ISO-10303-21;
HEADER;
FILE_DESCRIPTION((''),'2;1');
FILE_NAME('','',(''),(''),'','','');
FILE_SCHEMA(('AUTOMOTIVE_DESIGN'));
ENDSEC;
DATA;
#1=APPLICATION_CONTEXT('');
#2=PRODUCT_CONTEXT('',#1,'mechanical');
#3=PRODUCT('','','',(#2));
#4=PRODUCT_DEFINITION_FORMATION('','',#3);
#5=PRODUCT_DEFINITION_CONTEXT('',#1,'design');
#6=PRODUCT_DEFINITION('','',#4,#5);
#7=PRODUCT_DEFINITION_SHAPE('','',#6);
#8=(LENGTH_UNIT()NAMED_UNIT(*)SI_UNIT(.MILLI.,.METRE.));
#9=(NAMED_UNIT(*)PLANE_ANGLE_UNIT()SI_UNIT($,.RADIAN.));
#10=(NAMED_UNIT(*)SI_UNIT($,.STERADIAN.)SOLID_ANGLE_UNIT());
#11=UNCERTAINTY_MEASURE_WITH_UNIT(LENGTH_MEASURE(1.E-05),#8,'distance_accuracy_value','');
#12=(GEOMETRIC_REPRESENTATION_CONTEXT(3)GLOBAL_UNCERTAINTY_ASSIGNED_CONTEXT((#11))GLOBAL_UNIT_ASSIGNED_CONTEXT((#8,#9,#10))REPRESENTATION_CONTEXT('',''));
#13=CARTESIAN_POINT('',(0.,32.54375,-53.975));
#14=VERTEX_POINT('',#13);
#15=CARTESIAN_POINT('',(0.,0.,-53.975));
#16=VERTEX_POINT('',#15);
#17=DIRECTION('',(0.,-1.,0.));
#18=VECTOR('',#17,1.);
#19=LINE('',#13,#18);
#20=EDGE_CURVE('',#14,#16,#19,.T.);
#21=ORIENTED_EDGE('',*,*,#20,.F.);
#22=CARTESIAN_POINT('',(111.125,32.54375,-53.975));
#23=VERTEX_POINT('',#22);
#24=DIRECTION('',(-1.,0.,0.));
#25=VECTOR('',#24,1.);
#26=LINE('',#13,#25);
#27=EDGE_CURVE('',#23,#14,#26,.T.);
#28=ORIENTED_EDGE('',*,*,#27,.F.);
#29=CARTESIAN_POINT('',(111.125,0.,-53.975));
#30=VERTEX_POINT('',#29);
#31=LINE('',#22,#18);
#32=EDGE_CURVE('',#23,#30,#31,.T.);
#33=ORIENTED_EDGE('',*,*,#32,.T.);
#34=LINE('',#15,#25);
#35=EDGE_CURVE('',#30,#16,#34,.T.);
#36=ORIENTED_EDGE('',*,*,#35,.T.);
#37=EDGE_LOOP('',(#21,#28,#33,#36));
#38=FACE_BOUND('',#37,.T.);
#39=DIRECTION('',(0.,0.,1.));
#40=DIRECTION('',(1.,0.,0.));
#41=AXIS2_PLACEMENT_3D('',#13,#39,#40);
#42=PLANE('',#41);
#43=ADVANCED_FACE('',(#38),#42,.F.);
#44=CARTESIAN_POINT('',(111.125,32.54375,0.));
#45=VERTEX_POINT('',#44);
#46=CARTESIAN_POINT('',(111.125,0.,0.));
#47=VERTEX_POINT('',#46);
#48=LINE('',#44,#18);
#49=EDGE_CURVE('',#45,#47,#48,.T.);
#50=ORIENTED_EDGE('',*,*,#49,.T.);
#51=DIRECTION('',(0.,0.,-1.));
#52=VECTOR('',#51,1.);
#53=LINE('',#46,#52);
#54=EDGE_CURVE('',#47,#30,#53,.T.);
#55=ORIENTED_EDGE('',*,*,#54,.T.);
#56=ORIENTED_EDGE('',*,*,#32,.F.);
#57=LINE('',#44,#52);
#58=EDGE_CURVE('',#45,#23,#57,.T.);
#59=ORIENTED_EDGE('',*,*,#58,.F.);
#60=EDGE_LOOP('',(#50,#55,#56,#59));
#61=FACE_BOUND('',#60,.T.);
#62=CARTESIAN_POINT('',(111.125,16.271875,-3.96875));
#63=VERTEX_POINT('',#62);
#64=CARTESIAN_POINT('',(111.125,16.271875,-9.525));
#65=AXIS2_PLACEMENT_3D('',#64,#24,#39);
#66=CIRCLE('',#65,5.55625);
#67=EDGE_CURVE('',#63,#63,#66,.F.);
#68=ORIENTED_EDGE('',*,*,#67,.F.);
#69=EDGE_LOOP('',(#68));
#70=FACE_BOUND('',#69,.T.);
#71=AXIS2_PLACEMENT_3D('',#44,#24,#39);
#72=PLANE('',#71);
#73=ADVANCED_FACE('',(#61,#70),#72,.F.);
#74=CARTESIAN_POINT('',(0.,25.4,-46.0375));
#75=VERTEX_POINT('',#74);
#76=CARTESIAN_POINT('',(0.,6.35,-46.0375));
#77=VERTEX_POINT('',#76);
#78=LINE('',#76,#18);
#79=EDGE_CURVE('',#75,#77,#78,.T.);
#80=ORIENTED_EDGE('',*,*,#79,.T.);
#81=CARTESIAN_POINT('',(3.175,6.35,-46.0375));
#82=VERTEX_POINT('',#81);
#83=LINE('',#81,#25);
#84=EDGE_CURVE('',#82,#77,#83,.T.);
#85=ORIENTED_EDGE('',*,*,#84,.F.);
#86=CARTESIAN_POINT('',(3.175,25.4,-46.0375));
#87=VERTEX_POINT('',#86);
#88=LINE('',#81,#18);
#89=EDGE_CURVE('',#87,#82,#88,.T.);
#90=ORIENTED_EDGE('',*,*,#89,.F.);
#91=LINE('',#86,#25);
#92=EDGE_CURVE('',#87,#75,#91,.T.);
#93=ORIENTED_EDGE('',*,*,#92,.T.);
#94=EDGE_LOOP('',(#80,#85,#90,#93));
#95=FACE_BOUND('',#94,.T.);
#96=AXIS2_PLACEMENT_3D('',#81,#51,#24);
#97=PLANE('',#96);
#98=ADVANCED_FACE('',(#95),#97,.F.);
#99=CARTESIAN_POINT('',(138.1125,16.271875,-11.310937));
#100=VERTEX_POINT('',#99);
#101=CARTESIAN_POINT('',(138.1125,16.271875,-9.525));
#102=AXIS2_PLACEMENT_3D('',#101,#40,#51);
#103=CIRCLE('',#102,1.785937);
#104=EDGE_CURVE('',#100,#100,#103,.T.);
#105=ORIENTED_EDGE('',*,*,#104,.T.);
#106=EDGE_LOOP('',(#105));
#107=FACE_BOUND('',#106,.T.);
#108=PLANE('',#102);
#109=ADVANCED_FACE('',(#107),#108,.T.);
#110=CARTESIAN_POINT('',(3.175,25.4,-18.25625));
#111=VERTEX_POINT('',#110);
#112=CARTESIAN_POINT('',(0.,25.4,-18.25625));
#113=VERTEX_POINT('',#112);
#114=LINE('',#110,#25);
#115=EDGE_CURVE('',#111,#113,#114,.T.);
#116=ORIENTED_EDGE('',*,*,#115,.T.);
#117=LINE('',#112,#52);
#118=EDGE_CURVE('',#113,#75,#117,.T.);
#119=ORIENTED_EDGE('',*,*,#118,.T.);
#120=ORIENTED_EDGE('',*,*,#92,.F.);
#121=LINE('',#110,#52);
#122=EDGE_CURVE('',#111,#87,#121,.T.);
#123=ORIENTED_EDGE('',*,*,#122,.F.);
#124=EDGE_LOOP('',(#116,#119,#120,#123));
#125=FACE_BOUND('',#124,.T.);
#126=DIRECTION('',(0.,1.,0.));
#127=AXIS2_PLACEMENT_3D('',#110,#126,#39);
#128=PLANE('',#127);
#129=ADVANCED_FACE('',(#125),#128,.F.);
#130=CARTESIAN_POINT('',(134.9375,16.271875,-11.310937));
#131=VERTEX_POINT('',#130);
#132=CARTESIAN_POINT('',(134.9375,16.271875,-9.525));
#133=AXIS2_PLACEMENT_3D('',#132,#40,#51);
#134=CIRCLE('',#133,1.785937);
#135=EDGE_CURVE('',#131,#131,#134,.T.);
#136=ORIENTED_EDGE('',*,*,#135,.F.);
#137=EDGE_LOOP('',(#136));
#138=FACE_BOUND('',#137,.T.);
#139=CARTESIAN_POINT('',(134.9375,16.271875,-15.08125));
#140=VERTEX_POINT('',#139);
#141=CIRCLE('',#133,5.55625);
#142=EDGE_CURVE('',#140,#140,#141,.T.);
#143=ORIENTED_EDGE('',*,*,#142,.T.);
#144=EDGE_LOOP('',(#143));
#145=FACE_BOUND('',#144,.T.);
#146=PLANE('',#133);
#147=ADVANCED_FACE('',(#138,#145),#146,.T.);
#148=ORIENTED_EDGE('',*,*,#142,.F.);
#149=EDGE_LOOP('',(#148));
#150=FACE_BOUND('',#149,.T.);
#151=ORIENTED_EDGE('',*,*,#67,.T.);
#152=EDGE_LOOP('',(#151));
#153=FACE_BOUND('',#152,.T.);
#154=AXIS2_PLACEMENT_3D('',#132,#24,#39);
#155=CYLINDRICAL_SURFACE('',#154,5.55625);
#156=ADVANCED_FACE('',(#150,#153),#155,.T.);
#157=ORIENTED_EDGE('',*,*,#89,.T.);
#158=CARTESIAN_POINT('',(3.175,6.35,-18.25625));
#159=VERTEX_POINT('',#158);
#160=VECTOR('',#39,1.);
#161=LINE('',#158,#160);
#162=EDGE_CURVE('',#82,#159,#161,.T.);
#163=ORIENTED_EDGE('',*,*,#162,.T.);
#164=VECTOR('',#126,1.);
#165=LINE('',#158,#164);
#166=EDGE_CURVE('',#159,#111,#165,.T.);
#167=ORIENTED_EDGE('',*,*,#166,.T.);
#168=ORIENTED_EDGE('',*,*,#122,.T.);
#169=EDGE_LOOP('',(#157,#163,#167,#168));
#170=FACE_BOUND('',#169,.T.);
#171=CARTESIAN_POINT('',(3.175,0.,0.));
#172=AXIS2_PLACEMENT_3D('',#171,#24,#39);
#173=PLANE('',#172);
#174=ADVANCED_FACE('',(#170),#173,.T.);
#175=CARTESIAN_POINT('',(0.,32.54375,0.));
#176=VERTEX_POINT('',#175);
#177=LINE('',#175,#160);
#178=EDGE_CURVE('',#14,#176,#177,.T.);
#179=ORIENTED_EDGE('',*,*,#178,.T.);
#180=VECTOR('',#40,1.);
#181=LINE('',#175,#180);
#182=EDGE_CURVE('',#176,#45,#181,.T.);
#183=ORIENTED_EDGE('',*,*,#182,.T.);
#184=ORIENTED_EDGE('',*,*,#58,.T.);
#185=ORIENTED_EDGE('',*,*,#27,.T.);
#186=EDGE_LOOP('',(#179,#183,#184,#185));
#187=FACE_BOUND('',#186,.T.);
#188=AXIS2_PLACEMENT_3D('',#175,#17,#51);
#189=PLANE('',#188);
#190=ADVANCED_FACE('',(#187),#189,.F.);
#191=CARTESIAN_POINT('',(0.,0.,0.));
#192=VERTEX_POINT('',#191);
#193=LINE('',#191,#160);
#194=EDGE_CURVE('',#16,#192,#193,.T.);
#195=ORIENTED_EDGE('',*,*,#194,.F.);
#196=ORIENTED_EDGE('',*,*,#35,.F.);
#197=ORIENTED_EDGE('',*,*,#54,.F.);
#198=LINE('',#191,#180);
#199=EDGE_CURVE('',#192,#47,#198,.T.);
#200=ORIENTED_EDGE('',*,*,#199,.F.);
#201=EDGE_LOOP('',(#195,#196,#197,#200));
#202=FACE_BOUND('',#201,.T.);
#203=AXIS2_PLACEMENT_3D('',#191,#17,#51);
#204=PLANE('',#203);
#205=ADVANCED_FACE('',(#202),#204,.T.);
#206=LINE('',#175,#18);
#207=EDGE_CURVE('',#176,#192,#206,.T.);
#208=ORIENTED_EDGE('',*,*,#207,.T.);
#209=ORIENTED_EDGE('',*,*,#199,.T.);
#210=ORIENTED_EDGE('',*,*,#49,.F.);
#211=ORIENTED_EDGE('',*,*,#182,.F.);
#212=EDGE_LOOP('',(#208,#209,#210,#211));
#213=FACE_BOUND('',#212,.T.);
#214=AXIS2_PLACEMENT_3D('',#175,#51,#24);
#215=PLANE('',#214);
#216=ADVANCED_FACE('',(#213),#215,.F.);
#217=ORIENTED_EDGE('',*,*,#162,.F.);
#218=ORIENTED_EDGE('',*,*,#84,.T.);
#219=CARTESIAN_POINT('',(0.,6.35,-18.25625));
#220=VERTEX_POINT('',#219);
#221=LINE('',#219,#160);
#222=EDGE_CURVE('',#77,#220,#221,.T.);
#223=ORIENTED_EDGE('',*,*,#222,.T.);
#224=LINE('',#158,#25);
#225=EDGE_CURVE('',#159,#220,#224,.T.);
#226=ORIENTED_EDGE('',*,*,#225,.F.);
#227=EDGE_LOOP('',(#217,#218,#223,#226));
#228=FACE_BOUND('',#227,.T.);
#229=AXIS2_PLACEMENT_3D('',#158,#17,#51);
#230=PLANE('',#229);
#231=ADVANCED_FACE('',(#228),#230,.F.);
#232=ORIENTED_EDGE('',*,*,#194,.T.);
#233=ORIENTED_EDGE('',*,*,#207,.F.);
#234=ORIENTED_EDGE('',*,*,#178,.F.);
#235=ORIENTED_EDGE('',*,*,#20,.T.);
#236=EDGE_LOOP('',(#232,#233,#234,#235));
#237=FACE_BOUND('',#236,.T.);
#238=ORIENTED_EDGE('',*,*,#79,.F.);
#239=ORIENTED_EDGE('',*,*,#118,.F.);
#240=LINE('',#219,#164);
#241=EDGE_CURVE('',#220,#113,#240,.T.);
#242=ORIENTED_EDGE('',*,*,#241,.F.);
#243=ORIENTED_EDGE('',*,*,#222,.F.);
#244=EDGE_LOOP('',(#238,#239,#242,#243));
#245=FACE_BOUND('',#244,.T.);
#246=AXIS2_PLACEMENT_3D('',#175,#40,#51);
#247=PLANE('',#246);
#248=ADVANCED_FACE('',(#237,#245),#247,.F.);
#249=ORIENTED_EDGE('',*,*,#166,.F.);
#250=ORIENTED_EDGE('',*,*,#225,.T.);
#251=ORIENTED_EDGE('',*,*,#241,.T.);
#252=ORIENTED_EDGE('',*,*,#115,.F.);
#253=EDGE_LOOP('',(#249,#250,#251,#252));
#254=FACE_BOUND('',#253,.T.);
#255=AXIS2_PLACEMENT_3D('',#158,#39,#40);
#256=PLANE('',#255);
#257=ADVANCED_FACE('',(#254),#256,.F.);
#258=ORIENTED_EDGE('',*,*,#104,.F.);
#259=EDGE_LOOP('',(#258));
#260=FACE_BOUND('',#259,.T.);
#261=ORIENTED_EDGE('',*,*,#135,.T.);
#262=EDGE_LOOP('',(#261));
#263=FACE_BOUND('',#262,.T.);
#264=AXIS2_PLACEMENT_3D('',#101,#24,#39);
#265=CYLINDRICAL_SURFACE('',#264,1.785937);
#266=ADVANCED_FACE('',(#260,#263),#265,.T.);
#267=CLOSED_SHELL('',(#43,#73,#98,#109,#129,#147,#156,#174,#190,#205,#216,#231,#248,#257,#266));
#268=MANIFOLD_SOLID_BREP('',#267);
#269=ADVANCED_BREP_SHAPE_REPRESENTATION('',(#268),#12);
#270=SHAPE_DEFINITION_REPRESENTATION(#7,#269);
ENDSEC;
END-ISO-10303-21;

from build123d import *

# Parameters (mm, degrees)
SKETCH1_W           = 111.125
SKETCH1_H           = 53.975
BOSS_EXTRUDE1_DEPTH = 32.54375
SKETCH2_W           = 27.78125
SKETCH2_H           = 19.05
CUT_EXTRUDE1_DEPTH  = 3.175
SKETCH4_R           = 5.55625
BOSS_EXTRUDE2_DEPTH = 23.8125
SKETCH5_R           = 1.7859375
BOSS_EXTRUDE3_DEPTH = 3.175


with BuildPart() as part:
    # Sketch1 → Boss-Extrude1 (new body)
    with BuildSketch(Plane(origin=(0, 0, 0), x_dir=(1, 0, 0), z_dir=(0, 1, 0))):
        with Locations((55.5625, 26.9875)):
            Rectangle(SKETCH1_W, SKETCH1_H)
    extrude(amount=BOSS_EXTRUDE1_DEPTH)

    # Sketch2 → Cut-Extrude1 (cut)
    with BuildSketch(Plane.ZY):
        with Locations((-32.146875, 15.875)):
            Rectangle(SKETCH2_W, SKETCH2_H)
    extrude(amount=-CUT_EXTRUDE1_DEPTH, mode=Mode.SUBTRACT)

    # Sketch4 → Boss-Extrude2 (add)
    with BuildSketch(Plane(origin=(111.125, 0, 0), x_dir=(0, 0, -1), z_dir=(1, 0, 0))):
        with Locations((9.525, 16.271875)):
            Circle(SKETCH4_R)
    extrude(amount=BOSS_EXTRUDE2_DEPTH)

    # Sketch5 → Boss-Extrude3 (add)
    with BuildSketch(Plane(origin=(134.9375, 0, 0), x_dir=(0, 0, -1), z_dir=(1, 0, 0))):
        with Locations((9.525, 16.271875)):
            Circle(SKETCH5_R)
    extrude(amount=BOSS_EXTRUDE3_DEPTH)


solid = part.part
